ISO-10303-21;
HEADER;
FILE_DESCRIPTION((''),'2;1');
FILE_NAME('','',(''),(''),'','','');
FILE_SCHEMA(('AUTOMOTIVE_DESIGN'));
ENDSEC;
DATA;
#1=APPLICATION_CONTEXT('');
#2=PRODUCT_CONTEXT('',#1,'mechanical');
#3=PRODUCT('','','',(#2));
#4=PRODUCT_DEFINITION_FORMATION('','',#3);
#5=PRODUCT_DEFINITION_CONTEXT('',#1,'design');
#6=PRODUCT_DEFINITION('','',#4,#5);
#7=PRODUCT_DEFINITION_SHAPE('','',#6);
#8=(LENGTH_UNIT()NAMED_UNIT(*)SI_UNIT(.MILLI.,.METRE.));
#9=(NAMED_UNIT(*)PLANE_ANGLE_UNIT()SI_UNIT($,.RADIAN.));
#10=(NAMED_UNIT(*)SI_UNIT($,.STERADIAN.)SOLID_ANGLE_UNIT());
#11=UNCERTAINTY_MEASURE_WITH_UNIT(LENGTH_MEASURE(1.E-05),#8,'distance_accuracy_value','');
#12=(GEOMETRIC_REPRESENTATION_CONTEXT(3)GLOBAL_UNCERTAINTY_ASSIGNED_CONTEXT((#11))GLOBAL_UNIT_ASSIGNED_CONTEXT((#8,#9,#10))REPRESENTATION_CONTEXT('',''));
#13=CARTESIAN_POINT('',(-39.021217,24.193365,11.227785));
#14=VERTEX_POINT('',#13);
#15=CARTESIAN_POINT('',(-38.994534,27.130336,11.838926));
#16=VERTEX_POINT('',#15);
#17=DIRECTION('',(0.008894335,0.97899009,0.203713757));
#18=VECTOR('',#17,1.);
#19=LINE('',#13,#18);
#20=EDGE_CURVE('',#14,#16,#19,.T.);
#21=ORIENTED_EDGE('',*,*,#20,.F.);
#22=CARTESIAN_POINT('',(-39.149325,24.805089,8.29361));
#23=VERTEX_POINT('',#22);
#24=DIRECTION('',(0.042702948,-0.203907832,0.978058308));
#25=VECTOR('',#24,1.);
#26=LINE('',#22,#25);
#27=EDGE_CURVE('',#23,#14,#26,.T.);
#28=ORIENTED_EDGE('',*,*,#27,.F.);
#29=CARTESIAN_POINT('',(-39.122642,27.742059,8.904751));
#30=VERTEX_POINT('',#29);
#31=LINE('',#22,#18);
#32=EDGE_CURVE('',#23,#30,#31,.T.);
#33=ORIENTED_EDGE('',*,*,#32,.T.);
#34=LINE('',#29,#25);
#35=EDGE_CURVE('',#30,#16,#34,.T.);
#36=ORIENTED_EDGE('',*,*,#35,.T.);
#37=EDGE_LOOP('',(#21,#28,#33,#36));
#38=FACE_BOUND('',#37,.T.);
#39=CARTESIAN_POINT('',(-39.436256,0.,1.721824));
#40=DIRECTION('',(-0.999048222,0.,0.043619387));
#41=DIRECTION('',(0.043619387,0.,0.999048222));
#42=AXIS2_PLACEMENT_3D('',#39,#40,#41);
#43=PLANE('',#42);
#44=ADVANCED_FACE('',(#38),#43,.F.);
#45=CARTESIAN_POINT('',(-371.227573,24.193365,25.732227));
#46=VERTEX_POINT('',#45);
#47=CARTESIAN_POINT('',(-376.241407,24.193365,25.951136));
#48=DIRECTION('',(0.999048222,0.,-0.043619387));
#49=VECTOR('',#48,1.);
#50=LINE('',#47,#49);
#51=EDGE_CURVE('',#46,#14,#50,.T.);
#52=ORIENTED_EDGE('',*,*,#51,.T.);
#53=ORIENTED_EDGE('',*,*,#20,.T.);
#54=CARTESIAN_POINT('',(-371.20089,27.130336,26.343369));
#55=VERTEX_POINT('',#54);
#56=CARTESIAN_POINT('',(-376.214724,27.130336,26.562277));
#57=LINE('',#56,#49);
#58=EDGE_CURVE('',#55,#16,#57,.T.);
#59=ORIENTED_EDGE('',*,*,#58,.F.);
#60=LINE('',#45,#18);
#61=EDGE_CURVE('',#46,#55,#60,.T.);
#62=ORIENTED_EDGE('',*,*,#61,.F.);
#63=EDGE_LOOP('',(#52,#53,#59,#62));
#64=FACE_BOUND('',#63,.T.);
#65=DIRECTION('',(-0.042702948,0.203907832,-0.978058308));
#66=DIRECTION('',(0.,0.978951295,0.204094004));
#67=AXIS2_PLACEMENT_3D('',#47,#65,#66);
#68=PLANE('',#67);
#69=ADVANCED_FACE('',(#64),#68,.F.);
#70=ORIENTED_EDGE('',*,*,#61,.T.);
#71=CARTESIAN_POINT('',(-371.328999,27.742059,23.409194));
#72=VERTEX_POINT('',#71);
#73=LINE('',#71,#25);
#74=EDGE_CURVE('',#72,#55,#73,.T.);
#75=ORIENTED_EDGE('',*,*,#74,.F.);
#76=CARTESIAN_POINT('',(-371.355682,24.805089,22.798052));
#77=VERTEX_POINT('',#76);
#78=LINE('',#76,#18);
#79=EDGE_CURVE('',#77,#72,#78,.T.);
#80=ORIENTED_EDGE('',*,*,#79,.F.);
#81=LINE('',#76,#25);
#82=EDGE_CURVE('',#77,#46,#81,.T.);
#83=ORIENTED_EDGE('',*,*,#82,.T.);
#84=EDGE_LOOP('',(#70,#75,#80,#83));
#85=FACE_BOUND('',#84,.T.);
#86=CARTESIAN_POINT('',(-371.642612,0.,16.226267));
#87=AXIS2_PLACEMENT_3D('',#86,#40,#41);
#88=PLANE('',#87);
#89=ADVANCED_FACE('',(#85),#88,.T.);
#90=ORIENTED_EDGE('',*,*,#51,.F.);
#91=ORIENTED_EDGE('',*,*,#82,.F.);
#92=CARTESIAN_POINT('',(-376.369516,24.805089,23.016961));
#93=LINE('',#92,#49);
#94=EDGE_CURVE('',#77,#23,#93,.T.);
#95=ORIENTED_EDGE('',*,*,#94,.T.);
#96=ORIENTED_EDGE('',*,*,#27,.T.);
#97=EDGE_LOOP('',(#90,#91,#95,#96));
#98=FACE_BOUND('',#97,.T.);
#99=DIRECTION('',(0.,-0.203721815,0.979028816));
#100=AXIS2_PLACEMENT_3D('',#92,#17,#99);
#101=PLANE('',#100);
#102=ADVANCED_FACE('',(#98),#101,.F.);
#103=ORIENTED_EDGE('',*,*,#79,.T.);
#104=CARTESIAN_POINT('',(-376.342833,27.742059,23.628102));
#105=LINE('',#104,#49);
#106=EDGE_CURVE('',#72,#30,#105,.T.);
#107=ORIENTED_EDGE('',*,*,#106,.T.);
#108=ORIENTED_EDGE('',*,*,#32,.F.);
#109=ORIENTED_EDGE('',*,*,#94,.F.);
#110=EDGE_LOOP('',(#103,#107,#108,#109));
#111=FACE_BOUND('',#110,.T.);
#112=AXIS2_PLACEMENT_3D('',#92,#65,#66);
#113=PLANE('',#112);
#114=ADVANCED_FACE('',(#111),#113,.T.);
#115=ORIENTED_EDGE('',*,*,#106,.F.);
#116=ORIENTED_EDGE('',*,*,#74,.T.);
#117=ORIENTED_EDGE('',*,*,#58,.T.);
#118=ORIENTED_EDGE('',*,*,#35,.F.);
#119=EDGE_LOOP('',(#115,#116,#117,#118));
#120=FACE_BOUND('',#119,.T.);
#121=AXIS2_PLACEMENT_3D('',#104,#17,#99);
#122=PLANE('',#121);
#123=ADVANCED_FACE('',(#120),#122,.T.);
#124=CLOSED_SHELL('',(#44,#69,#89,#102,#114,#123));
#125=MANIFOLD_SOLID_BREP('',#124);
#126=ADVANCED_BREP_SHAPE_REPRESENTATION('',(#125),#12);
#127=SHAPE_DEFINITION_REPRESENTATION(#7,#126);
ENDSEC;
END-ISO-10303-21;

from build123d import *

# Parameters (mm, degrees)
BOSS_EXTRUDE1_DEPTH = 332.522844577


with BuildPart() as part:
    # Sketch3 → Boss-Extrude1 (new body)
    with BuildSketch(Plane(origin=(-39.436255758, 0, 1.721824111), x_dir=(0.0436193873653368, 0, 0.9990482215818578), z_dir=(-0.9990482215818578, 0, 0.0436193873653368))):
        Polygon((6.578046373, 24.805088746), (7.18976987, 27.742059016), (10.126740139, 27.130335519), (9.515016642, 24.193365249), align=None)
    extrude(amount=BOSS_EXTRUDE1_DEPTH)


solid = part.part
